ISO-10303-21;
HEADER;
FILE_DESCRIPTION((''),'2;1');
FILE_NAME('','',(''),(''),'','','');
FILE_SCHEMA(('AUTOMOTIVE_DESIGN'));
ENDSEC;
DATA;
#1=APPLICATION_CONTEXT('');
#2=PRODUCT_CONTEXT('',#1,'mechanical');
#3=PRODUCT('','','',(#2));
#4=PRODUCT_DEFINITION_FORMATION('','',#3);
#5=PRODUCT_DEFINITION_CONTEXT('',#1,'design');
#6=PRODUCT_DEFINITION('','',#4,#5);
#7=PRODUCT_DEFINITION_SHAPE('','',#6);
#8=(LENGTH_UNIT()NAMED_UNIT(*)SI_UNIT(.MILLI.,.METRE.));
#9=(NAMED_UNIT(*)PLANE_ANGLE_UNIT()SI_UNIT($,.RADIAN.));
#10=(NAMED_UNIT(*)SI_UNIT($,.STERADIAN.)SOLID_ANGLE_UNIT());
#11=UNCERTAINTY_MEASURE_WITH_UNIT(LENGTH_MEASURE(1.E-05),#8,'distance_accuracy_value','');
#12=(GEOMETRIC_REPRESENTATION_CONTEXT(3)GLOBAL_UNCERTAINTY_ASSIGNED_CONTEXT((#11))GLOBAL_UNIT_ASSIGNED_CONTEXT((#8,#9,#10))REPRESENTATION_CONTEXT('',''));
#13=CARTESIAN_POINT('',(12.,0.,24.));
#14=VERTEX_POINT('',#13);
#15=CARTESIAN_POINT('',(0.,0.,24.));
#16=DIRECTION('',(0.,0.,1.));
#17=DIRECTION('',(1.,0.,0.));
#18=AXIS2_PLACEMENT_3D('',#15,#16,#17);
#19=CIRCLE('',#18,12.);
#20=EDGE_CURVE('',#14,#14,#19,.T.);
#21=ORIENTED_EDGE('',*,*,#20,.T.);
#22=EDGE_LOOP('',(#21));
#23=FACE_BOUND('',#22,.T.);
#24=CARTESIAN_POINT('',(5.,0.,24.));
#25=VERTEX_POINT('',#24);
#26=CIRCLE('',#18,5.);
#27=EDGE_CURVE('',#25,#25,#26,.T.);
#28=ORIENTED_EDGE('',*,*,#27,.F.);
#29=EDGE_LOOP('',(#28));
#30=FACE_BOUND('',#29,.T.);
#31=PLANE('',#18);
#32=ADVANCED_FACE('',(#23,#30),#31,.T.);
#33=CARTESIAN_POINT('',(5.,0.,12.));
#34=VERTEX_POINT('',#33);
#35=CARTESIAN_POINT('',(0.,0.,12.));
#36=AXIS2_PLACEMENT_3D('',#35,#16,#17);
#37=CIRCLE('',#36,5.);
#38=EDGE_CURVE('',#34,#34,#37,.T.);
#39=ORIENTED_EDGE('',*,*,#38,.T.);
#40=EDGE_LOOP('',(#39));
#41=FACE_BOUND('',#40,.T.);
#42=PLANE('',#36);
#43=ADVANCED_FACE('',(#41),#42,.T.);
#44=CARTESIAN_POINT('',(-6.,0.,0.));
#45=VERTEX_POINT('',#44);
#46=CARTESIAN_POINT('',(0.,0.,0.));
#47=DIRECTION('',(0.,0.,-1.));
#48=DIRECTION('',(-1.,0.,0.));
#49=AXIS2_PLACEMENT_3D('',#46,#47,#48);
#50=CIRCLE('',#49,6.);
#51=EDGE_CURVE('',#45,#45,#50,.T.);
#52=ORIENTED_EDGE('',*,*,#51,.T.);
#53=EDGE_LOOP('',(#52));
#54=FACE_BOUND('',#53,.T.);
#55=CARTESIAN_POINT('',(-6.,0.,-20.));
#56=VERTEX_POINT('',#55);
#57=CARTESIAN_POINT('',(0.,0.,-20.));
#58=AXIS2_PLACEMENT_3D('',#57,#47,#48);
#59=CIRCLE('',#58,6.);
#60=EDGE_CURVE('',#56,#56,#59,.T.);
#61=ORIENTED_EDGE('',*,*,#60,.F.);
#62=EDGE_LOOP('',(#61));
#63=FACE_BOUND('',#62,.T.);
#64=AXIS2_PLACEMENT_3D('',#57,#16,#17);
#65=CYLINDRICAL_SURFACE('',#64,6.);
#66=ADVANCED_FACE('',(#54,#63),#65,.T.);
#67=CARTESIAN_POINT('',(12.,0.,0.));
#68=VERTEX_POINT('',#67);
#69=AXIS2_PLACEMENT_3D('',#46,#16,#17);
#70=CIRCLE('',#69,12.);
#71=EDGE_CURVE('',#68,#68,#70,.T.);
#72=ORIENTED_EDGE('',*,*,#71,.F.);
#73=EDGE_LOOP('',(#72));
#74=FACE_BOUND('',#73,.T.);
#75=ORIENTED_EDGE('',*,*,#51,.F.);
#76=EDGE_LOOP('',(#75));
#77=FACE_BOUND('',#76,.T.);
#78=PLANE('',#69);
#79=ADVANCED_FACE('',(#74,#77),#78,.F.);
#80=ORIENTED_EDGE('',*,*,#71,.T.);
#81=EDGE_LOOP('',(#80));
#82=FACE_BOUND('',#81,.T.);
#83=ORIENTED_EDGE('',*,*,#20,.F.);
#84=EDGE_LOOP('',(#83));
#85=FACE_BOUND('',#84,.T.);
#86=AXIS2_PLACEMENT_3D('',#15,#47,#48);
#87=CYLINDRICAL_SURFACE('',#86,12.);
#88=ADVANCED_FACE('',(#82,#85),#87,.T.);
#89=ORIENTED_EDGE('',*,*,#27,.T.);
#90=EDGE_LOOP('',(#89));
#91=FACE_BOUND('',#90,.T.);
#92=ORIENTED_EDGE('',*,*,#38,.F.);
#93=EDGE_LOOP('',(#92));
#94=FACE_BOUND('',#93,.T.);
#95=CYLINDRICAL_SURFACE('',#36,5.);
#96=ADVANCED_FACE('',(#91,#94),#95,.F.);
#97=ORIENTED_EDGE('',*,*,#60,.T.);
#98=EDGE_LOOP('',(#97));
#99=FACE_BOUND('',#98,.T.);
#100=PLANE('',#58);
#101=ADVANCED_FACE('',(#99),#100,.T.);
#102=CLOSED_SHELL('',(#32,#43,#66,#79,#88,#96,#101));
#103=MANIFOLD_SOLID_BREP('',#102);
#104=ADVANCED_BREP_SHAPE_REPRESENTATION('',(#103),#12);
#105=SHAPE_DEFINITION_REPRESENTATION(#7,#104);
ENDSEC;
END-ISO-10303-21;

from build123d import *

# Parameters (mm, degrees)
SKETCH1_R           = 12
BOSS_EXTRUDE1_DEPTH = 24
SKETCH2_R           = 5
CUT_EXTRUDE1_DEPTH  = 12
SKETCH3_R           = 6
BOSS_EXTRUDE2_DEPTH = 20


with BuildPart() as part:
    # Sketch1 → Boss-Extrude1 (new body)
    with BuildSketch(Plane.XY):
        Circle(SKETCH1_R)
    extrude(amount=BOSS_EXTRUDE1_DEPTH)

    # Sketch2 → Cut-Extrude1 (cut)
    with BuildSketch(Plane.XY.offset(24)):
        Circle(SKETCH2_R)
    extrude(amount=-CUT_EXTRUDE1_DEPTH, mode=Mode.SUBTRACT)

    # Sketch3 → Boss-Extrude2 (add)
    with BuildSketch(Plane(origin=(0, 0, 0), x_dir=(-1, 0, 0), z_dir=(0, 0, -1))):
        Circle(SKETCH3_R)
    extrude(amount=BOSS_EXTRUDE2_DEPTH)


solid = part.part
